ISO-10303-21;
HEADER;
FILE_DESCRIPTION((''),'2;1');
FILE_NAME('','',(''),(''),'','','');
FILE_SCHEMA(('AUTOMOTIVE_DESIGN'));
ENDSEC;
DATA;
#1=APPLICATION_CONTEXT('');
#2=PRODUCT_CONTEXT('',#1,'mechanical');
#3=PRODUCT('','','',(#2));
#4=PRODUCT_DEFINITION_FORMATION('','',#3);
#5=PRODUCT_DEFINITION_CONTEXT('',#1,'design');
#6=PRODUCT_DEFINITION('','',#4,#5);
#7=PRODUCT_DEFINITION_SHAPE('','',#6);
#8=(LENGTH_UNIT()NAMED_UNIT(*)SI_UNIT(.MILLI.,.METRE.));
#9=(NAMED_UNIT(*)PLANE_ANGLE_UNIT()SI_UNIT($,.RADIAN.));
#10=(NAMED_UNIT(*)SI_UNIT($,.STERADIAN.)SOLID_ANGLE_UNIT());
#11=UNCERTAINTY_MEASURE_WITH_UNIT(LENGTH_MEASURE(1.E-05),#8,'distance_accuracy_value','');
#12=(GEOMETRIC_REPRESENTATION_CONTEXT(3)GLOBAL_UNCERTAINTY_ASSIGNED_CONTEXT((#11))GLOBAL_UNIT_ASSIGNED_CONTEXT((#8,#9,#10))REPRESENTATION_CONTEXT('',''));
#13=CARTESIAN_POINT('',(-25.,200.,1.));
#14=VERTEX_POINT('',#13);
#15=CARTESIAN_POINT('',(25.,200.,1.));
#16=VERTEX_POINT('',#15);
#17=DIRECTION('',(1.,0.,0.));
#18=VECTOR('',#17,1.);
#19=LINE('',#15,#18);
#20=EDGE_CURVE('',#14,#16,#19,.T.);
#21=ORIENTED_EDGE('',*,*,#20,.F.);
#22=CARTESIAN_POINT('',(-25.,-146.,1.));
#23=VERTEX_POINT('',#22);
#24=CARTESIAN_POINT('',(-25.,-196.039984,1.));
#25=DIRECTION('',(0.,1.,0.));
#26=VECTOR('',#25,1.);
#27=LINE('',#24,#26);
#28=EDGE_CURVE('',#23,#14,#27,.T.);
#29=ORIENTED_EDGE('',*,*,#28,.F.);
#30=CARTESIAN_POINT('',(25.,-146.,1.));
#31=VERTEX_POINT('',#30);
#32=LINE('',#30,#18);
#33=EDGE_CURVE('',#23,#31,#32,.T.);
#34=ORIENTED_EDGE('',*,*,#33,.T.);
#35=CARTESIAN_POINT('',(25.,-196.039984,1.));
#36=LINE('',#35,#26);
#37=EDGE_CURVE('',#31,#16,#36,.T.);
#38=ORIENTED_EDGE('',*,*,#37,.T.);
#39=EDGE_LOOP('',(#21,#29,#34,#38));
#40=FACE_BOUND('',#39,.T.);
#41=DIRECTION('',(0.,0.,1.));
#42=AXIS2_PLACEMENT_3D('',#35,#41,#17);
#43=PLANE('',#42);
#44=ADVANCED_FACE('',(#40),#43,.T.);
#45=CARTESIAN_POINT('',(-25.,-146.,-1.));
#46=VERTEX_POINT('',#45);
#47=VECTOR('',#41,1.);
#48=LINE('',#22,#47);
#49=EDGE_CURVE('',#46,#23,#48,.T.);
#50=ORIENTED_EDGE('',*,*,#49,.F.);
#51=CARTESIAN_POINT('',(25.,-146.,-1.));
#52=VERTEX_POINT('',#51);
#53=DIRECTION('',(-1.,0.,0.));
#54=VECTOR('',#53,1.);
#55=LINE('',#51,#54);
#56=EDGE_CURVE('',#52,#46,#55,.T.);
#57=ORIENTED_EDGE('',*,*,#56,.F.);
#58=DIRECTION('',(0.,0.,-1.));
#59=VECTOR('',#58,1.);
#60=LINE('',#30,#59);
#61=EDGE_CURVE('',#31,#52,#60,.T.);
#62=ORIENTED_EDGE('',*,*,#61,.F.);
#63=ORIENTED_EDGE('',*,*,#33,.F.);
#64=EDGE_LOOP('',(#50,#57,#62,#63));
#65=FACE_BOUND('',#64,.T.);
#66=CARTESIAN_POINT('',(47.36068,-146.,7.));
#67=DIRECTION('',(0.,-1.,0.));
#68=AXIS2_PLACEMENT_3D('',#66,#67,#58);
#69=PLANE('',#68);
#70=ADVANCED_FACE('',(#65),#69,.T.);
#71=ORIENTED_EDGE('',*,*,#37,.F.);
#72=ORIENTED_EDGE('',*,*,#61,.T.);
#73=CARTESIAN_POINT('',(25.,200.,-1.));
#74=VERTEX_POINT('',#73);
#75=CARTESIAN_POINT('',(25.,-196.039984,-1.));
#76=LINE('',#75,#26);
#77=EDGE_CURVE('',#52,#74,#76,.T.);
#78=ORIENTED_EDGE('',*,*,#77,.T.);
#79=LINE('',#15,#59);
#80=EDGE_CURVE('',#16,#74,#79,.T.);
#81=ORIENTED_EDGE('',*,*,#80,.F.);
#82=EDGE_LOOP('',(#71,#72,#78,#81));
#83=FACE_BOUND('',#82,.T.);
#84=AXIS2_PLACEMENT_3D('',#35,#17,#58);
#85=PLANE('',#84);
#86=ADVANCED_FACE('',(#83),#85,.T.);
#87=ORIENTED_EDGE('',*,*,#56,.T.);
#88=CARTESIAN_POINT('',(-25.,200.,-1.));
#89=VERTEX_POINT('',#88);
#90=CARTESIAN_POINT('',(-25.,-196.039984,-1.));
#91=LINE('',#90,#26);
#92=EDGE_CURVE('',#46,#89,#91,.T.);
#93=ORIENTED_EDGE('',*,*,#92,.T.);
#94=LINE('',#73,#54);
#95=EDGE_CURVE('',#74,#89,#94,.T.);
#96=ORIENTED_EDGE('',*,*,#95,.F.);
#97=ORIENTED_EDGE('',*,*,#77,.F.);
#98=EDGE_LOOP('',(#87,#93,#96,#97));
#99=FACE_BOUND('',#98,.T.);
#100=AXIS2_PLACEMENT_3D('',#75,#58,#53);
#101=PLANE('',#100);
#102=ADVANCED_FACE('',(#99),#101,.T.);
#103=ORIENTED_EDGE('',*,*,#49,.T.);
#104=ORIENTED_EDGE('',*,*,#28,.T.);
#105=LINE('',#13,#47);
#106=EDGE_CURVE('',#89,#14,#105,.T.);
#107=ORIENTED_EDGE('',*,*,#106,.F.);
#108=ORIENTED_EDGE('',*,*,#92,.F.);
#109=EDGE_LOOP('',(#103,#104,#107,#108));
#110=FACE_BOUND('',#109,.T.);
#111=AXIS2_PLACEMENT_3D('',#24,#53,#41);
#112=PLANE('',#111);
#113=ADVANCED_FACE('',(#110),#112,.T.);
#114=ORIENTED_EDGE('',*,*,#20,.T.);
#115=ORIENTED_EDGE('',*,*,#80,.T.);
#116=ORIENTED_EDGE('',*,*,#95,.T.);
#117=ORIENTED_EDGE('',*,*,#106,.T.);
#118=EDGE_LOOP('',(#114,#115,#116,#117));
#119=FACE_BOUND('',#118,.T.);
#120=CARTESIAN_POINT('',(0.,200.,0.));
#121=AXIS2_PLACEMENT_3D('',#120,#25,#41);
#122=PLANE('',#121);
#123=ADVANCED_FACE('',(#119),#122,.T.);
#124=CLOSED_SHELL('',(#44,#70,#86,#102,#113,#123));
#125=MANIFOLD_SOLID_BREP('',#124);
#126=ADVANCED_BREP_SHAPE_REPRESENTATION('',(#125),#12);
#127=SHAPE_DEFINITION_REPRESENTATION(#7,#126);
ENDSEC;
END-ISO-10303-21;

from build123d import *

# Parameters (mm, degrees)
BOSS_EXTRUDE1_DEPTH      = 200
BOSS_EXTRUDE1_DEPTH_BACK = 146
SKETCH1_W                = 50
SKETCH1_H                = 2


with BuildPart() as part:
    # Sketch1 → Boss-Extrude1 (new, two sides: drawn at the far end of the back side and taken through both)
    with BuildSketch(Plane(origin=(0, 0, 0), x_dir=(1, 0, 0), z_dir=(0, 1, 0)).offset(-BOSS_EXTRUDE1_DEPTH_BACK)):
        Rectangle(SKETCH1_W, SKETCH1_H)
    extrude(amount=BOSS_EXTRUDE1_DEPTH + BOSS_EXTRUDE1_DEPTH_BACK)


solid = part.part
